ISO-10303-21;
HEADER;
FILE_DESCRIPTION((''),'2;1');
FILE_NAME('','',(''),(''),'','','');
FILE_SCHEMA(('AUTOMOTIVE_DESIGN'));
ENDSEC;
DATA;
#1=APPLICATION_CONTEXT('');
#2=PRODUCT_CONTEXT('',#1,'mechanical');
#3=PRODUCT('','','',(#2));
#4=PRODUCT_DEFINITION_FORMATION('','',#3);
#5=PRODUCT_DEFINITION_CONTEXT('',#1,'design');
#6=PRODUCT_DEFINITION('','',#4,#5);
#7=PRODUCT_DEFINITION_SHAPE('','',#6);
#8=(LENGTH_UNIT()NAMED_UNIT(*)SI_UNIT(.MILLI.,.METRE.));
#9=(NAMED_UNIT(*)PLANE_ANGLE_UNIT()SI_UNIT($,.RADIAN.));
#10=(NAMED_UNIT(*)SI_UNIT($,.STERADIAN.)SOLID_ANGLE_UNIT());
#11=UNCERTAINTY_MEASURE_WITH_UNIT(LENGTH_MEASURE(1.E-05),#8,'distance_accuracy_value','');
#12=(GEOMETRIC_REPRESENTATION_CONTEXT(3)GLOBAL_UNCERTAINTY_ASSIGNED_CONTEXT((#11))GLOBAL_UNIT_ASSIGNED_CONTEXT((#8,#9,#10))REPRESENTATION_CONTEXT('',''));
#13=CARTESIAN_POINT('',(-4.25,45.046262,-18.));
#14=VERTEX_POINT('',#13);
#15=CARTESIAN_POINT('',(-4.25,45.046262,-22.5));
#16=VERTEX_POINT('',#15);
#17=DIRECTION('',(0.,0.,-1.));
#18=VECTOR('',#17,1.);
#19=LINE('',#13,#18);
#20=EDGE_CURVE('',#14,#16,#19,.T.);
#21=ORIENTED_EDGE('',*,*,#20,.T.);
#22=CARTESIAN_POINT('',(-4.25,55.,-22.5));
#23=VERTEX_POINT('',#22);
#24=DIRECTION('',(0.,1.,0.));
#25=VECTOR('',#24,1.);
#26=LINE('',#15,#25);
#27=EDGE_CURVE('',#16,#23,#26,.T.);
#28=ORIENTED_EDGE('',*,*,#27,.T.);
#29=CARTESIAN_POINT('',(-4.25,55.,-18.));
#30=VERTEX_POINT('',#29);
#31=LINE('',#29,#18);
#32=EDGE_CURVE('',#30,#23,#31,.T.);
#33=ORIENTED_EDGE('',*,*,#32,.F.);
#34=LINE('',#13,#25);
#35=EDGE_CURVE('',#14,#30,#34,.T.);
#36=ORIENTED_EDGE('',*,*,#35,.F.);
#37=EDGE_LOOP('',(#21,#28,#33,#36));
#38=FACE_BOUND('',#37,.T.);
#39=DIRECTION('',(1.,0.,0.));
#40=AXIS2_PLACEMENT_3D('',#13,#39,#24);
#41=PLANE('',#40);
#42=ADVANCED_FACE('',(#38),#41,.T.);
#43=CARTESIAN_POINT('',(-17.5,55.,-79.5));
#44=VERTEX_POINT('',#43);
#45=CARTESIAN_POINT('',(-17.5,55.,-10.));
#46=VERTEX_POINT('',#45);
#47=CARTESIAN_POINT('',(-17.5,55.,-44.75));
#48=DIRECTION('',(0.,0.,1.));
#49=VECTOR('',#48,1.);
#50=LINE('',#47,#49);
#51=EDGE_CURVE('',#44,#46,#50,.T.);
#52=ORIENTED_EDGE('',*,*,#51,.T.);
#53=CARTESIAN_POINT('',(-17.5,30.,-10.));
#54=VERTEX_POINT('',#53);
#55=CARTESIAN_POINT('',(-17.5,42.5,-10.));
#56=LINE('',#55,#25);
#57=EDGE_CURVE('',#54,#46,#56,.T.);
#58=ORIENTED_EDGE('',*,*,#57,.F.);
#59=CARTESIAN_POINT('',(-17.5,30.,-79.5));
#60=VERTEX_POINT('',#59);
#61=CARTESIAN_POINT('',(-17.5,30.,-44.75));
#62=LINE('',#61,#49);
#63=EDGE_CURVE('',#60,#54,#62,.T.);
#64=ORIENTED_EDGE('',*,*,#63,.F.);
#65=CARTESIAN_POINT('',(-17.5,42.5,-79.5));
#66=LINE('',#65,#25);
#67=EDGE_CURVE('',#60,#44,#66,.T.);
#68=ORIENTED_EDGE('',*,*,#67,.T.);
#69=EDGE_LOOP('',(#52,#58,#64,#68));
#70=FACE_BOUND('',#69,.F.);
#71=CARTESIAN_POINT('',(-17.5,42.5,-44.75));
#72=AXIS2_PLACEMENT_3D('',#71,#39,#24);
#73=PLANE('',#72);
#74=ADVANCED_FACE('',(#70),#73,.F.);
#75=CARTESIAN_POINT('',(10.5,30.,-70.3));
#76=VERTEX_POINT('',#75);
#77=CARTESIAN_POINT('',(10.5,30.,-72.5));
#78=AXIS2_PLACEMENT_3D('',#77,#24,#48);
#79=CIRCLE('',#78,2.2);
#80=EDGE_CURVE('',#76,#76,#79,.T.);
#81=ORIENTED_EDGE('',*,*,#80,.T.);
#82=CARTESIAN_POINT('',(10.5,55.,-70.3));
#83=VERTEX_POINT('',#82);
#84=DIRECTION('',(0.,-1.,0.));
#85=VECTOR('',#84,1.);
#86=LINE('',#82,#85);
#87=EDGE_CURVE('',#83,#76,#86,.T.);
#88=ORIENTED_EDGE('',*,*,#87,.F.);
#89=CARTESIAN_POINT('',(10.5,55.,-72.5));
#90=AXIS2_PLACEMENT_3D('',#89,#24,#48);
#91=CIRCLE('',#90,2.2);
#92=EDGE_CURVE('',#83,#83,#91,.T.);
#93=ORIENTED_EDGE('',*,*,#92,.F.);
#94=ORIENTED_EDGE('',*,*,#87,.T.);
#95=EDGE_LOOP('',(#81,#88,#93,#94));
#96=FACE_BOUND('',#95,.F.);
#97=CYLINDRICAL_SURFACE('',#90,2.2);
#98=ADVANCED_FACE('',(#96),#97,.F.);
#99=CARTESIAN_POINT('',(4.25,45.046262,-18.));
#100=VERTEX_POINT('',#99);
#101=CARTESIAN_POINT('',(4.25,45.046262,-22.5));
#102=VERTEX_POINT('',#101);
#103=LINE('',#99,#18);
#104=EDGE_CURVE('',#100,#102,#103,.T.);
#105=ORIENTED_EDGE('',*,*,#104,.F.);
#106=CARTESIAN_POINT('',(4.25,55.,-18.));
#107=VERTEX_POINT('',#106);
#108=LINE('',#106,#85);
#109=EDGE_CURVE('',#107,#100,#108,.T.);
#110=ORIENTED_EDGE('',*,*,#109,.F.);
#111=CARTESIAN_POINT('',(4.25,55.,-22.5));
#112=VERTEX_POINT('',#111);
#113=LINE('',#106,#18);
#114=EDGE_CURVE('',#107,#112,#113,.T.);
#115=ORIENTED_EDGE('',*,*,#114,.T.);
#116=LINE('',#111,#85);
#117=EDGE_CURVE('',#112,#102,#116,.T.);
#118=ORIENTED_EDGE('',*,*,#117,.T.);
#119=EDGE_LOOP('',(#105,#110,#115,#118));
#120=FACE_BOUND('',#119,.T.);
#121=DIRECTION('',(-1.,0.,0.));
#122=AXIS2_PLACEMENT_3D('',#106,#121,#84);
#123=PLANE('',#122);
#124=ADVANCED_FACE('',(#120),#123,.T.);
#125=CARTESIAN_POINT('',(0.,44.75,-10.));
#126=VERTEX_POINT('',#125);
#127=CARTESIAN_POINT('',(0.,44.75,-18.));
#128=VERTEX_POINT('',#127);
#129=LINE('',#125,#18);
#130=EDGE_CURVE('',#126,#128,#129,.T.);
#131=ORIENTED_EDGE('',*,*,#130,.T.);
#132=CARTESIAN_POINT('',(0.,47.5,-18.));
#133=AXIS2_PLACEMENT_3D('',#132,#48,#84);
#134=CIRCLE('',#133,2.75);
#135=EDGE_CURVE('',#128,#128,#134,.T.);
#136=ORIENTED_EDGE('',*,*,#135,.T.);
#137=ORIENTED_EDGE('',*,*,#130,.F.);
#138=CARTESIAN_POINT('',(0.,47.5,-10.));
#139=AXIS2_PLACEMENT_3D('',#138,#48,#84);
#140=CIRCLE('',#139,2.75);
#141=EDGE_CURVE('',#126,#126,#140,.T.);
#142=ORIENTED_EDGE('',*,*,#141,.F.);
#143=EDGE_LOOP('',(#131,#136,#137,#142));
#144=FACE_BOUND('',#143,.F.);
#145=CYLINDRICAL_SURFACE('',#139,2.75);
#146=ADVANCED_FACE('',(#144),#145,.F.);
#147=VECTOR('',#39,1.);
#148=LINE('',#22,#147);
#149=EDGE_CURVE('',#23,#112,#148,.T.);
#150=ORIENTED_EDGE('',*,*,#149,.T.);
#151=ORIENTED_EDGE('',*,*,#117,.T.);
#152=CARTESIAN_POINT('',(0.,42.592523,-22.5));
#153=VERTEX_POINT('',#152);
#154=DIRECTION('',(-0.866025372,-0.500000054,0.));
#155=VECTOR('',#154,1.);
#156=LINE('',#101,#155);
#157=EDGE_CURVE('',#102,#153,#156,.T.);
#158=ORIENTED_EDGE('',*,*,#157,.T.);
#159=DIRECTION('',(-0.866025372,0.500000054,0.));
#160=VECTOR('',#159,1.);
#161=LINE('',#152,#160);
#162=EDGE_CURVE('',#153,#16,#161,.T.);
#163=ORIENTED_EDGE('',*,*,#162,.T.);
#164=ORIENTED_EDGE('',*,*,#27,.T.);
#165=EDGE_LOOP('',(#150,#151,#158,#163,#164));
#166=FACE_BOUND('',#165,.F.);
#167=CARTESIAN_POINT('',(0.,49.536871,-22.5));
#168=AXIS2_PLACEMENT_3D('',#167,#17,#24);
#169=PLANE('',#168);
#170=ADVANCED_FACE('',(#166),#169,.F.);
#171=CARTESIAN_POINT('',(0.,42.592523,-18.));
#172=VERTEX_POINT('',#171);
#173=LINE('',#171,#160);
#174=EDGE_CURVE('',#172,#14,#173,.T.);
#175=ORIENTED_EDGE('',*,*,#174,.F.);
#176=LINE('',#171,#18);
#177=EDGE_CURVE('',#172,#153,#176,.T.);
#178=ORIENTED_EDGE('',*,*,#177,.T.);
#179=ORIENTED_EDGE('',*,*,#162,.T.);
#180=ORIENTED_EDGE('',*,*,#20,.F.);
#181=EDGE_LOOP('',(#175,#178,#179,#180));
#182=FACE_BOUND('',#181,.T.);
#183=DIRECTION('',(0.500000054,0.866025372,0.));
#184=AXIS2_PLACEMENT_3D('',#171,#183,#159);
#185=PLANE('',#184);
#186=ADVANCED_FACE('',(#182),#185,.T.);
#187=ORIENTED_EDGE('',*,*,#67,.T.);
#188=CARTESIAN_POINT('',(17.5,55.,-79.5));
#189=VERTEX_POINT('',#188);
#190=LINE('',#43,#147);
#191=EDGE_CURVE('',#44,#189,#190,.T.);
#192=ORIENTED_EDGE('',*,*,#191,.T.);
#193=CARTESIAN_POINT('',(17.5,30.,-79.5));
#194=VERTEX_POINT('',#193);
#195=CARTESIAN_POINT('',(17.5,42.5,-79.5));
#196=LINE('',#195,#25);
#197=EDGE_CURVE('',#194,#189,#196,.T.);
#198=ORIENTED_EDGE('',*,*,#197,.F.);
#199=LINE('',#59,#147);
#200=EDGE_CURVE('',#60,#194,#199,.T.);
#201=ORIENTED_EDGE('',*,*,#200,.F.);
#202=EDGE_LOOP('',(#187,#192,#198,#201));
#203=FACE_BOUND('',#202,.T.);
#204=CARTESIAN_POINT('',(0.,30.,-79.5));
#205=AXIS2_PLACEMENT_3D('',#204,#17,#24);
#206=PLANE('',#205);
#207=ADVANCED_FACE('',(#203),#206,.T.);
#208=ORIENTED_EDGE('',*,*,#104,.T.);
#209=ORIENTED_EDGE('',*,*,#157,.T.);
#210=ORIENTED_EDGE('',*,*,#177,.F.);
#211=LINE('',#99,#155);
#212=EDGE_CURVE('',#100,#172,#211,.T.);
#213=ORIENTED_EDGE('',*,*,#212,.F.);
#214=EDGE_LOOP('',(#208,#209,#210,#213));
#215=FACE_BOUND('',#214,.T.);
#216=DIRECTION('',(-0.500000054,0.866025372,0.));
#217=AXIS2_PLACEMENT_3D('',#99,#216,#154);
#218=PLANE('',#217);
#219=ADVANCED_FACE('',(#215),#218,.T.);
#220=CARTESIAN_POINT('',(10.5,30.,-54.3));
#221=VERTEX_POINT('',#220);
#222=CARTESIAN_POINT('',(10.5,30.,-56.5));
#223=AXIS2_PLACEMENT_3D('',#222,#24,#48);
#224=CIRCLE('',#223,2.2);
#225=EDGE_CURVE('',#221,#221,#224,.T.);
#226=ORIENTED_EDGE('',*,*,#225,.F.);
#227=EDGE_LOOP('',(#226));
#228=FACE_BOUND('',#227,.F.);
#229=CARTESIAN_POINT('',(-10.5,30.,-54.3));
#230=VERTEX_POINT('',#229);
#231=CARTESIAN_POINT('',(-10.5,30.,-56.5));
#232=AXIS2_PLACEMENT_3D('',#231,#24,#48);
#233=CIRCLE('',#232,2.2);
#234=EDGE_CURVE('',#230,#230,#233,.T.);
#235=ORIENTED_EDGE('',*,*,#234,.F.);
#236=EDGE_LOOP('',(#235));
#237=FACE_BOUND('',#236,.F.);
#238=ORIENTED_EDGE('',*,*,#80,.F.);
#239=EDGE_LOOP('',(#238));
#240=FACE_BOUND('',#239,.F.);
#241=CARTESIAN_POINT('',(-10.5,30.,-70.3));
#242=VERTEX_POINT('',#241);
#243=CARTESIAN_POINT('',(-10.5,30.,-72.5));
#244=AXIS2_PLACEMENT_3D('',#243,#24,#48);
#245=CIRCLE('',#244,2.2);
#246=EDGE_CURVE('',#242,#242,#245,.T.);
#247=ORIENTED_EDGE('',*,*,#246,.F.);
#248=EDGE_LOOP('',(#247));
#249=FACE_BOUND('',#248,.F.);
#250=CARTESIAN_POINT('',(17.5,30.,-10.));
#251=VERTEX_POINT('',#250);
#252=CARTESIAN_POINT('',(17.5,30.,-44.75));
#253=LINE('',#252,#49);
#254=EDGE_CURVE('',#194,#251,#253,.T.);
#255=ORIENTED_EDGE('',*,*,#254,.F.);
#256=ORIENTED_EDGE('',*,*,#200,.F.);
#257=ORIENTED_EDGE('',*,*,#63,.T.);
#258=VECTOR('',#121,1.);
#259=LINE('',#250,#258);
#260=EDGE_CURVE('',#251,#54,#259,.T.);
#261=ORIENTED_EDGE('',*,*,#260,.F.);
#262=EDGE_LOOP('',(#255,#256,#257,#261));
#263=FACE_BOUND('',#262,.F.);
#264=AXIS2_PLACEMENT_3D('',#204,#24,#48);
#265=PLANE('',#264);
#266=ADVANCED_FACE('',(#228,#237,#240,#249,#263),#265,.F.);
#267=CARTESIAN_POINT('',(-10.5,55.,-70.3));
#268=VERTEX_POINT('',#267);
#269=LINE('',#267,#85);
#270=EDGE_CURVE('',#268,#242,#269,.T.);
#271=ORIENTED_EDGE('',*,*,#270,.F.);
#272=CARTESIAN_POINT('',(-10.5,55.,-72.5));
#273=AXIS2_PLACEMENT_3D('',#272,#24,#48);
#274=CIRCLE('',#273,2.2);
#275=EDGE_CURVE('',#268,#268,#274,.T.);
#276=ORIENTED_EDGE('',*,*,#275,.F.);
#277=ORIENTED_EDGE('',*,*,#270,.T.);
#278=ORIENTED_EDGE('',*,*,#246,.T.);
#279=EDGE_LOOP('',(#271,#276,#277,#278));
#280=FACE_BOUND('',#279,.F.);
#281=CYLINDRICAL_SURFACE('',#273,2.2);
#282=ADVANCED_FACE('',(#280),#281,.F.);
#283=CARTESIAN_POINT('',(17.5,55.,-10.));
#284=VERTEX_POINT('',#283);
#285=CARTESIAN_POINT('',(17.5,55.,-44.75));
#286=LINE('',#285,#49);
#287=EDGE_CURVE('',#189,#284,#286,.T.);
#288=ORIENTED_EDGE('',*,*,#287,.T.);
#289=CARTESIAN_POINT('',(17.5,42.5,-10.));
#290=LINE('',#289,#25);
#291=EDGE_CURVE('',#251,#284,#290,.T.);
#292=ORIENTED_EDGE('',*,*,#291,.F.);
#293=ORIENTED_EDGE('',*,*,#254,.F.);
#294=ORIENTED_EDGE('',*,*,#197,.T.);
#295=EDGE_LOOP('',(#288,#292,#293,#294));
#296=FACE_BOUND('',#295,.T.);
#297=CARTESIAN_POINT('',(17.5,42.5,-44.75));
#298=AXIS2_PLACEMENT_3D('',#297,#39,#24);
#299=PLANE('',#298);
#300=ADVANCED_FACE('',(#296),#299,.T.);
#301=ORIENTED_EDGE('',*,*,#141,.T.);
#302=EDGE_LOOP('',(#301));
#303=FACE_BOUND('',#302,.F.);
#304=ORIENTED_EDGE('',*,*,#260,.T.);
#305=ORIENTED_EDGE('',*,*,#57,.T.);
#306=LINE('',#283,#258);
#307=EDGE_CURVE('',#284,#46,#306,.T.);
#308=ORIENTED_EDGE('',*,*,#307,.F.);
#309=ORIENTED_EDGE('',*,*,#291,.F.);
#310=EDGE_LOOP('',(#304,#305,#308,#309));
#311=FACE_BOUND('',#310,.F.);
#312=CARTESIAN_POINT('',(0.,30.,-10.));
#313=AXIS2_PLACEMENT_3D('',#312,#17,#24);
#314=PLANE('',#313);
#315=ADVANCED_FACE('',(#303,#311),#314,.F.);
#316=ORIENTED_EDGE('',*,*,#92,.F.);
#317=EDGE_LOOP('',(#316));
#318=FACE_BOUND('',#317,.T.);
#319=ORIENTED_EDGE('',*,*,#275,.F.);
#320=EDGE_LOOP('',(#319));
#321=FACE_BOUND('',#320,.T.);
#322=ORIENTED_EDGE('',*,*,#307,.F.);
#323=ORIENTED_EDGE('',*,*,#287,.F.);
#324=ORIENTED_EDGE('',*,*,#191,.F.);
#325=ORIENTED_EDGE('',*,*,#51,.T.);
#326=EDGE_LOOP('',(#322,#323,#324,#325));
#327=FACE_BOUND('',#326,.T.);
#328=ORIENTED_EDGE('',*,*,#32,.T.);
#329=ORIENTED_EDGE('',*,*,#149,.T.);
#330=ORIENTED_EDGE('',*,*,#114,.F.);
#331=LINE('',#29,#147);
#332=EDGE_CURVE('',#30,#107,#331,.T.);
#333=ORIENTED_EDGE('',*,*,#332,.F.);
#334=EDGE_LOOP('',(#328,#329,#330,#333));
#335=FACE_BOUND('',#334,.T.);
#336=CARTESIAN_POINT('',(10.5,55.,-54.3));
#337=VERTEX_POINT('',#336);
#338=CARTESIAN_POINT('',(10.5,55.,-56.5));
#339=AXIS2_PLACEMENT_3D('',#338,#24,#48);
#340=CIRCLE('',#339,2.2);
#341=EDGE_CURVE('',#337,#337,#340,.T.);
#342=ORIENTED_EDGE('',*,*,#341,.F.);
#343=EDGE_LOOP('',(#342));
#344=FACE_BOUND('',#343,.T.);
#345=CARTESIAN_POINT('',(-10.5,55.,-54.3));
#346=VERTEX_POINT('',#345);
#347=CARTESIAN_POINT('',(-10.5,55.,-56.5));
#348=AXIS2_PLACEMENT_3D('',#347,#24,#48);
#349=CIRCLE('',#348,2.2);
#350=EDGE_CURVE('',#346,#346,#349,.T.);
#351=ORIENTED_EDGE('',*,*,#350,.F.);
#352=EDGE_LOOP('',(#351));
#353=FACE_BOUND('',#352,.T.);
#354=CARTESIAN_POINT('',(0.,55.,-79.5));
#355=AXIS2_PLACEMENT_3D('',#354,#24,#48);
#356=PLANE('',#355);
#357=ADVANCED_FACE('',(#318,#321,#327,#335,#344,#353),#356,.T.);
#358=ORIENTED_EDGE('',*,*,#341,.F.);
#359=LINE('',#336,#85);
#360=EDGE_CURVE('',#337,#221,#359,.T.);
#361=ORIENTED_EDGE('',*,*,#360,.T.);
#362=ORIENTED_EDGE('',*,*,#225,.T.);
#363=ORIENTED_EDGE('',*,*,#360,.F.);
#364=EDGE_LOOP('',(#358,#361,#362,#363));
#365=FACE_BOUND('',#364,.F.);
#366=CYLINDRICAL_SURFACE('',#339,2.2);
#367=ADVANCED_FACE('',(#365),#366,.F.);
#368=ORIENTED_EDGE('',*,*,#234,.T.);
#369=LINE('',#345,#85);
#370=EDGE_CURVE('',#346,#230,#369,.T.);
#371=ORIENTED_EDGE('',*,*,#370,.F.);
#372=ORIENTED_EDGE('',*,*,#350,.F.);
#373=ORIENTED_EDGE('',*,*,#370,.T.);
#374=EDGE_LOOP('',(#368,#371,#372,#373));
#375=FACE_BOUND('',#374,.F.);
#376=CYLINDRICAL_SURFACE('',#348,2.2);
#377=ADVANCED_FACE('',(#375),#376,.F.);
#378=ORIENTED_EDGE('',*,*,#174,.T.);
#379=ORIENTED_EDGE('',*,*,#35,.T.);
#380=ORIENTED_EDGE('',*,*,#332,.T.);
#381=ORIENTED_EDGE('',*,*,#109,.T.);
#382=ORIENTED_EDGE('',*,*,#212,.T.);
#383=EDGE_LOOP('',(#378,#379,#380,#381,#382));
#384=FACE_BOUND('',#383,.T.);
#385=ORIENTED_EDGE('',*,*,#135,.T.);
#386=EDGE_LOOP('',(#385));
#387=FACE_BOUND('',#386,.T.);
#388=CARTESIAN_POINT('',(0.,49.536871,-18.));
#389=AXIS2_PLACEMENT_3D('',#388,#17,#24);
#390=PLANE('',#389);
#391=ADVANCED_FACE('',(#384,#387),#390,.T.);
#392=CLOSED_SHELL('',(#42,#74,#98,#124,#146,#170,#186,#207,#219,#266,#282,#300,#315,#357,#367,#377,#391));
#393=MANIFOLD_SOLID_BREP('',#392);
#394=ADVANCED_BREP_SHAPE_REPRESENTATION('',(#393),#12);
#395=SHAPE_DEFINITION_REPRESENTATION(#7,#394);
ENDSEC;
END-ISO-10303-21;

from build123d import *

# Parameters (mm, degrees)
SKETCH_W      = 25
SKETCH_H      = 69.5
PAD_DEPTH     = 17.5
POCKET_DEPTH  = 4.5
SKETCH003_R   = 2.75
HOLE001_DEPTH = 12
SKETCH004_R   = 2.2
HOLE_DEPTH    = 25.001


with BuildPart() as part:
    # Sketch → Pad (new body, symmetric)
    with BuildSketch(Plane.YZ):
        with Locations((42.5, -44.75)):
            Rectangle(SKETCH_W, SKETCH_H)
    extrude(amount=PAD_DEPTH, both=True)

    # Sketch002 → Pocket (cut)
    with BuildSketch(Plane(origin=(0, 0, -18), x_dir=(0, -1, 0), z_dir=(0, 0, 1))):
        Polygon((-55, -4.25), (-55, 4.25), (-45.046262, 4.25), (-42.592523, 0), (-45.046262, -4.25), align=None)
    extrude(amount=-POCKET_DEPTH, mode=Mode.SUBTRACT)

    # Sketch003 (on Face2 of Pocket) → Hole001 (cut)
    with BuildSketch(Plane(origin=(0, 0, -10), x_dir=(0, -1, 0), z_dir=(0, 0, 1))):
        with Locations((-47.5, 0)):
            Circle(SKETCH003_R)
    extrude(amount=-HOLE001_DEPTH, mode=Mode.SUBTRACT)

    # Sketch004 (on Face6 of Hole001) → Hole (cut, through all)
    with BuildSketch(Plane.ZX.offset(55)):
        with Locations((-72.5, 10.5)):
            Circle(SKETCH004_R)
        with Locations((-56.5, 10.5)):
            Circle(SKETCH004_R)
        with Locations((-72.5, -10.5)):
            Circle(SKETCH004_R)
        with Locations((-56.5, -10.5)):
            Circle(SKETCH004_R)
    extrude(amount=-HOLE_DEPTH, mode=Mode.SUBTRACT)


solid = part.part
